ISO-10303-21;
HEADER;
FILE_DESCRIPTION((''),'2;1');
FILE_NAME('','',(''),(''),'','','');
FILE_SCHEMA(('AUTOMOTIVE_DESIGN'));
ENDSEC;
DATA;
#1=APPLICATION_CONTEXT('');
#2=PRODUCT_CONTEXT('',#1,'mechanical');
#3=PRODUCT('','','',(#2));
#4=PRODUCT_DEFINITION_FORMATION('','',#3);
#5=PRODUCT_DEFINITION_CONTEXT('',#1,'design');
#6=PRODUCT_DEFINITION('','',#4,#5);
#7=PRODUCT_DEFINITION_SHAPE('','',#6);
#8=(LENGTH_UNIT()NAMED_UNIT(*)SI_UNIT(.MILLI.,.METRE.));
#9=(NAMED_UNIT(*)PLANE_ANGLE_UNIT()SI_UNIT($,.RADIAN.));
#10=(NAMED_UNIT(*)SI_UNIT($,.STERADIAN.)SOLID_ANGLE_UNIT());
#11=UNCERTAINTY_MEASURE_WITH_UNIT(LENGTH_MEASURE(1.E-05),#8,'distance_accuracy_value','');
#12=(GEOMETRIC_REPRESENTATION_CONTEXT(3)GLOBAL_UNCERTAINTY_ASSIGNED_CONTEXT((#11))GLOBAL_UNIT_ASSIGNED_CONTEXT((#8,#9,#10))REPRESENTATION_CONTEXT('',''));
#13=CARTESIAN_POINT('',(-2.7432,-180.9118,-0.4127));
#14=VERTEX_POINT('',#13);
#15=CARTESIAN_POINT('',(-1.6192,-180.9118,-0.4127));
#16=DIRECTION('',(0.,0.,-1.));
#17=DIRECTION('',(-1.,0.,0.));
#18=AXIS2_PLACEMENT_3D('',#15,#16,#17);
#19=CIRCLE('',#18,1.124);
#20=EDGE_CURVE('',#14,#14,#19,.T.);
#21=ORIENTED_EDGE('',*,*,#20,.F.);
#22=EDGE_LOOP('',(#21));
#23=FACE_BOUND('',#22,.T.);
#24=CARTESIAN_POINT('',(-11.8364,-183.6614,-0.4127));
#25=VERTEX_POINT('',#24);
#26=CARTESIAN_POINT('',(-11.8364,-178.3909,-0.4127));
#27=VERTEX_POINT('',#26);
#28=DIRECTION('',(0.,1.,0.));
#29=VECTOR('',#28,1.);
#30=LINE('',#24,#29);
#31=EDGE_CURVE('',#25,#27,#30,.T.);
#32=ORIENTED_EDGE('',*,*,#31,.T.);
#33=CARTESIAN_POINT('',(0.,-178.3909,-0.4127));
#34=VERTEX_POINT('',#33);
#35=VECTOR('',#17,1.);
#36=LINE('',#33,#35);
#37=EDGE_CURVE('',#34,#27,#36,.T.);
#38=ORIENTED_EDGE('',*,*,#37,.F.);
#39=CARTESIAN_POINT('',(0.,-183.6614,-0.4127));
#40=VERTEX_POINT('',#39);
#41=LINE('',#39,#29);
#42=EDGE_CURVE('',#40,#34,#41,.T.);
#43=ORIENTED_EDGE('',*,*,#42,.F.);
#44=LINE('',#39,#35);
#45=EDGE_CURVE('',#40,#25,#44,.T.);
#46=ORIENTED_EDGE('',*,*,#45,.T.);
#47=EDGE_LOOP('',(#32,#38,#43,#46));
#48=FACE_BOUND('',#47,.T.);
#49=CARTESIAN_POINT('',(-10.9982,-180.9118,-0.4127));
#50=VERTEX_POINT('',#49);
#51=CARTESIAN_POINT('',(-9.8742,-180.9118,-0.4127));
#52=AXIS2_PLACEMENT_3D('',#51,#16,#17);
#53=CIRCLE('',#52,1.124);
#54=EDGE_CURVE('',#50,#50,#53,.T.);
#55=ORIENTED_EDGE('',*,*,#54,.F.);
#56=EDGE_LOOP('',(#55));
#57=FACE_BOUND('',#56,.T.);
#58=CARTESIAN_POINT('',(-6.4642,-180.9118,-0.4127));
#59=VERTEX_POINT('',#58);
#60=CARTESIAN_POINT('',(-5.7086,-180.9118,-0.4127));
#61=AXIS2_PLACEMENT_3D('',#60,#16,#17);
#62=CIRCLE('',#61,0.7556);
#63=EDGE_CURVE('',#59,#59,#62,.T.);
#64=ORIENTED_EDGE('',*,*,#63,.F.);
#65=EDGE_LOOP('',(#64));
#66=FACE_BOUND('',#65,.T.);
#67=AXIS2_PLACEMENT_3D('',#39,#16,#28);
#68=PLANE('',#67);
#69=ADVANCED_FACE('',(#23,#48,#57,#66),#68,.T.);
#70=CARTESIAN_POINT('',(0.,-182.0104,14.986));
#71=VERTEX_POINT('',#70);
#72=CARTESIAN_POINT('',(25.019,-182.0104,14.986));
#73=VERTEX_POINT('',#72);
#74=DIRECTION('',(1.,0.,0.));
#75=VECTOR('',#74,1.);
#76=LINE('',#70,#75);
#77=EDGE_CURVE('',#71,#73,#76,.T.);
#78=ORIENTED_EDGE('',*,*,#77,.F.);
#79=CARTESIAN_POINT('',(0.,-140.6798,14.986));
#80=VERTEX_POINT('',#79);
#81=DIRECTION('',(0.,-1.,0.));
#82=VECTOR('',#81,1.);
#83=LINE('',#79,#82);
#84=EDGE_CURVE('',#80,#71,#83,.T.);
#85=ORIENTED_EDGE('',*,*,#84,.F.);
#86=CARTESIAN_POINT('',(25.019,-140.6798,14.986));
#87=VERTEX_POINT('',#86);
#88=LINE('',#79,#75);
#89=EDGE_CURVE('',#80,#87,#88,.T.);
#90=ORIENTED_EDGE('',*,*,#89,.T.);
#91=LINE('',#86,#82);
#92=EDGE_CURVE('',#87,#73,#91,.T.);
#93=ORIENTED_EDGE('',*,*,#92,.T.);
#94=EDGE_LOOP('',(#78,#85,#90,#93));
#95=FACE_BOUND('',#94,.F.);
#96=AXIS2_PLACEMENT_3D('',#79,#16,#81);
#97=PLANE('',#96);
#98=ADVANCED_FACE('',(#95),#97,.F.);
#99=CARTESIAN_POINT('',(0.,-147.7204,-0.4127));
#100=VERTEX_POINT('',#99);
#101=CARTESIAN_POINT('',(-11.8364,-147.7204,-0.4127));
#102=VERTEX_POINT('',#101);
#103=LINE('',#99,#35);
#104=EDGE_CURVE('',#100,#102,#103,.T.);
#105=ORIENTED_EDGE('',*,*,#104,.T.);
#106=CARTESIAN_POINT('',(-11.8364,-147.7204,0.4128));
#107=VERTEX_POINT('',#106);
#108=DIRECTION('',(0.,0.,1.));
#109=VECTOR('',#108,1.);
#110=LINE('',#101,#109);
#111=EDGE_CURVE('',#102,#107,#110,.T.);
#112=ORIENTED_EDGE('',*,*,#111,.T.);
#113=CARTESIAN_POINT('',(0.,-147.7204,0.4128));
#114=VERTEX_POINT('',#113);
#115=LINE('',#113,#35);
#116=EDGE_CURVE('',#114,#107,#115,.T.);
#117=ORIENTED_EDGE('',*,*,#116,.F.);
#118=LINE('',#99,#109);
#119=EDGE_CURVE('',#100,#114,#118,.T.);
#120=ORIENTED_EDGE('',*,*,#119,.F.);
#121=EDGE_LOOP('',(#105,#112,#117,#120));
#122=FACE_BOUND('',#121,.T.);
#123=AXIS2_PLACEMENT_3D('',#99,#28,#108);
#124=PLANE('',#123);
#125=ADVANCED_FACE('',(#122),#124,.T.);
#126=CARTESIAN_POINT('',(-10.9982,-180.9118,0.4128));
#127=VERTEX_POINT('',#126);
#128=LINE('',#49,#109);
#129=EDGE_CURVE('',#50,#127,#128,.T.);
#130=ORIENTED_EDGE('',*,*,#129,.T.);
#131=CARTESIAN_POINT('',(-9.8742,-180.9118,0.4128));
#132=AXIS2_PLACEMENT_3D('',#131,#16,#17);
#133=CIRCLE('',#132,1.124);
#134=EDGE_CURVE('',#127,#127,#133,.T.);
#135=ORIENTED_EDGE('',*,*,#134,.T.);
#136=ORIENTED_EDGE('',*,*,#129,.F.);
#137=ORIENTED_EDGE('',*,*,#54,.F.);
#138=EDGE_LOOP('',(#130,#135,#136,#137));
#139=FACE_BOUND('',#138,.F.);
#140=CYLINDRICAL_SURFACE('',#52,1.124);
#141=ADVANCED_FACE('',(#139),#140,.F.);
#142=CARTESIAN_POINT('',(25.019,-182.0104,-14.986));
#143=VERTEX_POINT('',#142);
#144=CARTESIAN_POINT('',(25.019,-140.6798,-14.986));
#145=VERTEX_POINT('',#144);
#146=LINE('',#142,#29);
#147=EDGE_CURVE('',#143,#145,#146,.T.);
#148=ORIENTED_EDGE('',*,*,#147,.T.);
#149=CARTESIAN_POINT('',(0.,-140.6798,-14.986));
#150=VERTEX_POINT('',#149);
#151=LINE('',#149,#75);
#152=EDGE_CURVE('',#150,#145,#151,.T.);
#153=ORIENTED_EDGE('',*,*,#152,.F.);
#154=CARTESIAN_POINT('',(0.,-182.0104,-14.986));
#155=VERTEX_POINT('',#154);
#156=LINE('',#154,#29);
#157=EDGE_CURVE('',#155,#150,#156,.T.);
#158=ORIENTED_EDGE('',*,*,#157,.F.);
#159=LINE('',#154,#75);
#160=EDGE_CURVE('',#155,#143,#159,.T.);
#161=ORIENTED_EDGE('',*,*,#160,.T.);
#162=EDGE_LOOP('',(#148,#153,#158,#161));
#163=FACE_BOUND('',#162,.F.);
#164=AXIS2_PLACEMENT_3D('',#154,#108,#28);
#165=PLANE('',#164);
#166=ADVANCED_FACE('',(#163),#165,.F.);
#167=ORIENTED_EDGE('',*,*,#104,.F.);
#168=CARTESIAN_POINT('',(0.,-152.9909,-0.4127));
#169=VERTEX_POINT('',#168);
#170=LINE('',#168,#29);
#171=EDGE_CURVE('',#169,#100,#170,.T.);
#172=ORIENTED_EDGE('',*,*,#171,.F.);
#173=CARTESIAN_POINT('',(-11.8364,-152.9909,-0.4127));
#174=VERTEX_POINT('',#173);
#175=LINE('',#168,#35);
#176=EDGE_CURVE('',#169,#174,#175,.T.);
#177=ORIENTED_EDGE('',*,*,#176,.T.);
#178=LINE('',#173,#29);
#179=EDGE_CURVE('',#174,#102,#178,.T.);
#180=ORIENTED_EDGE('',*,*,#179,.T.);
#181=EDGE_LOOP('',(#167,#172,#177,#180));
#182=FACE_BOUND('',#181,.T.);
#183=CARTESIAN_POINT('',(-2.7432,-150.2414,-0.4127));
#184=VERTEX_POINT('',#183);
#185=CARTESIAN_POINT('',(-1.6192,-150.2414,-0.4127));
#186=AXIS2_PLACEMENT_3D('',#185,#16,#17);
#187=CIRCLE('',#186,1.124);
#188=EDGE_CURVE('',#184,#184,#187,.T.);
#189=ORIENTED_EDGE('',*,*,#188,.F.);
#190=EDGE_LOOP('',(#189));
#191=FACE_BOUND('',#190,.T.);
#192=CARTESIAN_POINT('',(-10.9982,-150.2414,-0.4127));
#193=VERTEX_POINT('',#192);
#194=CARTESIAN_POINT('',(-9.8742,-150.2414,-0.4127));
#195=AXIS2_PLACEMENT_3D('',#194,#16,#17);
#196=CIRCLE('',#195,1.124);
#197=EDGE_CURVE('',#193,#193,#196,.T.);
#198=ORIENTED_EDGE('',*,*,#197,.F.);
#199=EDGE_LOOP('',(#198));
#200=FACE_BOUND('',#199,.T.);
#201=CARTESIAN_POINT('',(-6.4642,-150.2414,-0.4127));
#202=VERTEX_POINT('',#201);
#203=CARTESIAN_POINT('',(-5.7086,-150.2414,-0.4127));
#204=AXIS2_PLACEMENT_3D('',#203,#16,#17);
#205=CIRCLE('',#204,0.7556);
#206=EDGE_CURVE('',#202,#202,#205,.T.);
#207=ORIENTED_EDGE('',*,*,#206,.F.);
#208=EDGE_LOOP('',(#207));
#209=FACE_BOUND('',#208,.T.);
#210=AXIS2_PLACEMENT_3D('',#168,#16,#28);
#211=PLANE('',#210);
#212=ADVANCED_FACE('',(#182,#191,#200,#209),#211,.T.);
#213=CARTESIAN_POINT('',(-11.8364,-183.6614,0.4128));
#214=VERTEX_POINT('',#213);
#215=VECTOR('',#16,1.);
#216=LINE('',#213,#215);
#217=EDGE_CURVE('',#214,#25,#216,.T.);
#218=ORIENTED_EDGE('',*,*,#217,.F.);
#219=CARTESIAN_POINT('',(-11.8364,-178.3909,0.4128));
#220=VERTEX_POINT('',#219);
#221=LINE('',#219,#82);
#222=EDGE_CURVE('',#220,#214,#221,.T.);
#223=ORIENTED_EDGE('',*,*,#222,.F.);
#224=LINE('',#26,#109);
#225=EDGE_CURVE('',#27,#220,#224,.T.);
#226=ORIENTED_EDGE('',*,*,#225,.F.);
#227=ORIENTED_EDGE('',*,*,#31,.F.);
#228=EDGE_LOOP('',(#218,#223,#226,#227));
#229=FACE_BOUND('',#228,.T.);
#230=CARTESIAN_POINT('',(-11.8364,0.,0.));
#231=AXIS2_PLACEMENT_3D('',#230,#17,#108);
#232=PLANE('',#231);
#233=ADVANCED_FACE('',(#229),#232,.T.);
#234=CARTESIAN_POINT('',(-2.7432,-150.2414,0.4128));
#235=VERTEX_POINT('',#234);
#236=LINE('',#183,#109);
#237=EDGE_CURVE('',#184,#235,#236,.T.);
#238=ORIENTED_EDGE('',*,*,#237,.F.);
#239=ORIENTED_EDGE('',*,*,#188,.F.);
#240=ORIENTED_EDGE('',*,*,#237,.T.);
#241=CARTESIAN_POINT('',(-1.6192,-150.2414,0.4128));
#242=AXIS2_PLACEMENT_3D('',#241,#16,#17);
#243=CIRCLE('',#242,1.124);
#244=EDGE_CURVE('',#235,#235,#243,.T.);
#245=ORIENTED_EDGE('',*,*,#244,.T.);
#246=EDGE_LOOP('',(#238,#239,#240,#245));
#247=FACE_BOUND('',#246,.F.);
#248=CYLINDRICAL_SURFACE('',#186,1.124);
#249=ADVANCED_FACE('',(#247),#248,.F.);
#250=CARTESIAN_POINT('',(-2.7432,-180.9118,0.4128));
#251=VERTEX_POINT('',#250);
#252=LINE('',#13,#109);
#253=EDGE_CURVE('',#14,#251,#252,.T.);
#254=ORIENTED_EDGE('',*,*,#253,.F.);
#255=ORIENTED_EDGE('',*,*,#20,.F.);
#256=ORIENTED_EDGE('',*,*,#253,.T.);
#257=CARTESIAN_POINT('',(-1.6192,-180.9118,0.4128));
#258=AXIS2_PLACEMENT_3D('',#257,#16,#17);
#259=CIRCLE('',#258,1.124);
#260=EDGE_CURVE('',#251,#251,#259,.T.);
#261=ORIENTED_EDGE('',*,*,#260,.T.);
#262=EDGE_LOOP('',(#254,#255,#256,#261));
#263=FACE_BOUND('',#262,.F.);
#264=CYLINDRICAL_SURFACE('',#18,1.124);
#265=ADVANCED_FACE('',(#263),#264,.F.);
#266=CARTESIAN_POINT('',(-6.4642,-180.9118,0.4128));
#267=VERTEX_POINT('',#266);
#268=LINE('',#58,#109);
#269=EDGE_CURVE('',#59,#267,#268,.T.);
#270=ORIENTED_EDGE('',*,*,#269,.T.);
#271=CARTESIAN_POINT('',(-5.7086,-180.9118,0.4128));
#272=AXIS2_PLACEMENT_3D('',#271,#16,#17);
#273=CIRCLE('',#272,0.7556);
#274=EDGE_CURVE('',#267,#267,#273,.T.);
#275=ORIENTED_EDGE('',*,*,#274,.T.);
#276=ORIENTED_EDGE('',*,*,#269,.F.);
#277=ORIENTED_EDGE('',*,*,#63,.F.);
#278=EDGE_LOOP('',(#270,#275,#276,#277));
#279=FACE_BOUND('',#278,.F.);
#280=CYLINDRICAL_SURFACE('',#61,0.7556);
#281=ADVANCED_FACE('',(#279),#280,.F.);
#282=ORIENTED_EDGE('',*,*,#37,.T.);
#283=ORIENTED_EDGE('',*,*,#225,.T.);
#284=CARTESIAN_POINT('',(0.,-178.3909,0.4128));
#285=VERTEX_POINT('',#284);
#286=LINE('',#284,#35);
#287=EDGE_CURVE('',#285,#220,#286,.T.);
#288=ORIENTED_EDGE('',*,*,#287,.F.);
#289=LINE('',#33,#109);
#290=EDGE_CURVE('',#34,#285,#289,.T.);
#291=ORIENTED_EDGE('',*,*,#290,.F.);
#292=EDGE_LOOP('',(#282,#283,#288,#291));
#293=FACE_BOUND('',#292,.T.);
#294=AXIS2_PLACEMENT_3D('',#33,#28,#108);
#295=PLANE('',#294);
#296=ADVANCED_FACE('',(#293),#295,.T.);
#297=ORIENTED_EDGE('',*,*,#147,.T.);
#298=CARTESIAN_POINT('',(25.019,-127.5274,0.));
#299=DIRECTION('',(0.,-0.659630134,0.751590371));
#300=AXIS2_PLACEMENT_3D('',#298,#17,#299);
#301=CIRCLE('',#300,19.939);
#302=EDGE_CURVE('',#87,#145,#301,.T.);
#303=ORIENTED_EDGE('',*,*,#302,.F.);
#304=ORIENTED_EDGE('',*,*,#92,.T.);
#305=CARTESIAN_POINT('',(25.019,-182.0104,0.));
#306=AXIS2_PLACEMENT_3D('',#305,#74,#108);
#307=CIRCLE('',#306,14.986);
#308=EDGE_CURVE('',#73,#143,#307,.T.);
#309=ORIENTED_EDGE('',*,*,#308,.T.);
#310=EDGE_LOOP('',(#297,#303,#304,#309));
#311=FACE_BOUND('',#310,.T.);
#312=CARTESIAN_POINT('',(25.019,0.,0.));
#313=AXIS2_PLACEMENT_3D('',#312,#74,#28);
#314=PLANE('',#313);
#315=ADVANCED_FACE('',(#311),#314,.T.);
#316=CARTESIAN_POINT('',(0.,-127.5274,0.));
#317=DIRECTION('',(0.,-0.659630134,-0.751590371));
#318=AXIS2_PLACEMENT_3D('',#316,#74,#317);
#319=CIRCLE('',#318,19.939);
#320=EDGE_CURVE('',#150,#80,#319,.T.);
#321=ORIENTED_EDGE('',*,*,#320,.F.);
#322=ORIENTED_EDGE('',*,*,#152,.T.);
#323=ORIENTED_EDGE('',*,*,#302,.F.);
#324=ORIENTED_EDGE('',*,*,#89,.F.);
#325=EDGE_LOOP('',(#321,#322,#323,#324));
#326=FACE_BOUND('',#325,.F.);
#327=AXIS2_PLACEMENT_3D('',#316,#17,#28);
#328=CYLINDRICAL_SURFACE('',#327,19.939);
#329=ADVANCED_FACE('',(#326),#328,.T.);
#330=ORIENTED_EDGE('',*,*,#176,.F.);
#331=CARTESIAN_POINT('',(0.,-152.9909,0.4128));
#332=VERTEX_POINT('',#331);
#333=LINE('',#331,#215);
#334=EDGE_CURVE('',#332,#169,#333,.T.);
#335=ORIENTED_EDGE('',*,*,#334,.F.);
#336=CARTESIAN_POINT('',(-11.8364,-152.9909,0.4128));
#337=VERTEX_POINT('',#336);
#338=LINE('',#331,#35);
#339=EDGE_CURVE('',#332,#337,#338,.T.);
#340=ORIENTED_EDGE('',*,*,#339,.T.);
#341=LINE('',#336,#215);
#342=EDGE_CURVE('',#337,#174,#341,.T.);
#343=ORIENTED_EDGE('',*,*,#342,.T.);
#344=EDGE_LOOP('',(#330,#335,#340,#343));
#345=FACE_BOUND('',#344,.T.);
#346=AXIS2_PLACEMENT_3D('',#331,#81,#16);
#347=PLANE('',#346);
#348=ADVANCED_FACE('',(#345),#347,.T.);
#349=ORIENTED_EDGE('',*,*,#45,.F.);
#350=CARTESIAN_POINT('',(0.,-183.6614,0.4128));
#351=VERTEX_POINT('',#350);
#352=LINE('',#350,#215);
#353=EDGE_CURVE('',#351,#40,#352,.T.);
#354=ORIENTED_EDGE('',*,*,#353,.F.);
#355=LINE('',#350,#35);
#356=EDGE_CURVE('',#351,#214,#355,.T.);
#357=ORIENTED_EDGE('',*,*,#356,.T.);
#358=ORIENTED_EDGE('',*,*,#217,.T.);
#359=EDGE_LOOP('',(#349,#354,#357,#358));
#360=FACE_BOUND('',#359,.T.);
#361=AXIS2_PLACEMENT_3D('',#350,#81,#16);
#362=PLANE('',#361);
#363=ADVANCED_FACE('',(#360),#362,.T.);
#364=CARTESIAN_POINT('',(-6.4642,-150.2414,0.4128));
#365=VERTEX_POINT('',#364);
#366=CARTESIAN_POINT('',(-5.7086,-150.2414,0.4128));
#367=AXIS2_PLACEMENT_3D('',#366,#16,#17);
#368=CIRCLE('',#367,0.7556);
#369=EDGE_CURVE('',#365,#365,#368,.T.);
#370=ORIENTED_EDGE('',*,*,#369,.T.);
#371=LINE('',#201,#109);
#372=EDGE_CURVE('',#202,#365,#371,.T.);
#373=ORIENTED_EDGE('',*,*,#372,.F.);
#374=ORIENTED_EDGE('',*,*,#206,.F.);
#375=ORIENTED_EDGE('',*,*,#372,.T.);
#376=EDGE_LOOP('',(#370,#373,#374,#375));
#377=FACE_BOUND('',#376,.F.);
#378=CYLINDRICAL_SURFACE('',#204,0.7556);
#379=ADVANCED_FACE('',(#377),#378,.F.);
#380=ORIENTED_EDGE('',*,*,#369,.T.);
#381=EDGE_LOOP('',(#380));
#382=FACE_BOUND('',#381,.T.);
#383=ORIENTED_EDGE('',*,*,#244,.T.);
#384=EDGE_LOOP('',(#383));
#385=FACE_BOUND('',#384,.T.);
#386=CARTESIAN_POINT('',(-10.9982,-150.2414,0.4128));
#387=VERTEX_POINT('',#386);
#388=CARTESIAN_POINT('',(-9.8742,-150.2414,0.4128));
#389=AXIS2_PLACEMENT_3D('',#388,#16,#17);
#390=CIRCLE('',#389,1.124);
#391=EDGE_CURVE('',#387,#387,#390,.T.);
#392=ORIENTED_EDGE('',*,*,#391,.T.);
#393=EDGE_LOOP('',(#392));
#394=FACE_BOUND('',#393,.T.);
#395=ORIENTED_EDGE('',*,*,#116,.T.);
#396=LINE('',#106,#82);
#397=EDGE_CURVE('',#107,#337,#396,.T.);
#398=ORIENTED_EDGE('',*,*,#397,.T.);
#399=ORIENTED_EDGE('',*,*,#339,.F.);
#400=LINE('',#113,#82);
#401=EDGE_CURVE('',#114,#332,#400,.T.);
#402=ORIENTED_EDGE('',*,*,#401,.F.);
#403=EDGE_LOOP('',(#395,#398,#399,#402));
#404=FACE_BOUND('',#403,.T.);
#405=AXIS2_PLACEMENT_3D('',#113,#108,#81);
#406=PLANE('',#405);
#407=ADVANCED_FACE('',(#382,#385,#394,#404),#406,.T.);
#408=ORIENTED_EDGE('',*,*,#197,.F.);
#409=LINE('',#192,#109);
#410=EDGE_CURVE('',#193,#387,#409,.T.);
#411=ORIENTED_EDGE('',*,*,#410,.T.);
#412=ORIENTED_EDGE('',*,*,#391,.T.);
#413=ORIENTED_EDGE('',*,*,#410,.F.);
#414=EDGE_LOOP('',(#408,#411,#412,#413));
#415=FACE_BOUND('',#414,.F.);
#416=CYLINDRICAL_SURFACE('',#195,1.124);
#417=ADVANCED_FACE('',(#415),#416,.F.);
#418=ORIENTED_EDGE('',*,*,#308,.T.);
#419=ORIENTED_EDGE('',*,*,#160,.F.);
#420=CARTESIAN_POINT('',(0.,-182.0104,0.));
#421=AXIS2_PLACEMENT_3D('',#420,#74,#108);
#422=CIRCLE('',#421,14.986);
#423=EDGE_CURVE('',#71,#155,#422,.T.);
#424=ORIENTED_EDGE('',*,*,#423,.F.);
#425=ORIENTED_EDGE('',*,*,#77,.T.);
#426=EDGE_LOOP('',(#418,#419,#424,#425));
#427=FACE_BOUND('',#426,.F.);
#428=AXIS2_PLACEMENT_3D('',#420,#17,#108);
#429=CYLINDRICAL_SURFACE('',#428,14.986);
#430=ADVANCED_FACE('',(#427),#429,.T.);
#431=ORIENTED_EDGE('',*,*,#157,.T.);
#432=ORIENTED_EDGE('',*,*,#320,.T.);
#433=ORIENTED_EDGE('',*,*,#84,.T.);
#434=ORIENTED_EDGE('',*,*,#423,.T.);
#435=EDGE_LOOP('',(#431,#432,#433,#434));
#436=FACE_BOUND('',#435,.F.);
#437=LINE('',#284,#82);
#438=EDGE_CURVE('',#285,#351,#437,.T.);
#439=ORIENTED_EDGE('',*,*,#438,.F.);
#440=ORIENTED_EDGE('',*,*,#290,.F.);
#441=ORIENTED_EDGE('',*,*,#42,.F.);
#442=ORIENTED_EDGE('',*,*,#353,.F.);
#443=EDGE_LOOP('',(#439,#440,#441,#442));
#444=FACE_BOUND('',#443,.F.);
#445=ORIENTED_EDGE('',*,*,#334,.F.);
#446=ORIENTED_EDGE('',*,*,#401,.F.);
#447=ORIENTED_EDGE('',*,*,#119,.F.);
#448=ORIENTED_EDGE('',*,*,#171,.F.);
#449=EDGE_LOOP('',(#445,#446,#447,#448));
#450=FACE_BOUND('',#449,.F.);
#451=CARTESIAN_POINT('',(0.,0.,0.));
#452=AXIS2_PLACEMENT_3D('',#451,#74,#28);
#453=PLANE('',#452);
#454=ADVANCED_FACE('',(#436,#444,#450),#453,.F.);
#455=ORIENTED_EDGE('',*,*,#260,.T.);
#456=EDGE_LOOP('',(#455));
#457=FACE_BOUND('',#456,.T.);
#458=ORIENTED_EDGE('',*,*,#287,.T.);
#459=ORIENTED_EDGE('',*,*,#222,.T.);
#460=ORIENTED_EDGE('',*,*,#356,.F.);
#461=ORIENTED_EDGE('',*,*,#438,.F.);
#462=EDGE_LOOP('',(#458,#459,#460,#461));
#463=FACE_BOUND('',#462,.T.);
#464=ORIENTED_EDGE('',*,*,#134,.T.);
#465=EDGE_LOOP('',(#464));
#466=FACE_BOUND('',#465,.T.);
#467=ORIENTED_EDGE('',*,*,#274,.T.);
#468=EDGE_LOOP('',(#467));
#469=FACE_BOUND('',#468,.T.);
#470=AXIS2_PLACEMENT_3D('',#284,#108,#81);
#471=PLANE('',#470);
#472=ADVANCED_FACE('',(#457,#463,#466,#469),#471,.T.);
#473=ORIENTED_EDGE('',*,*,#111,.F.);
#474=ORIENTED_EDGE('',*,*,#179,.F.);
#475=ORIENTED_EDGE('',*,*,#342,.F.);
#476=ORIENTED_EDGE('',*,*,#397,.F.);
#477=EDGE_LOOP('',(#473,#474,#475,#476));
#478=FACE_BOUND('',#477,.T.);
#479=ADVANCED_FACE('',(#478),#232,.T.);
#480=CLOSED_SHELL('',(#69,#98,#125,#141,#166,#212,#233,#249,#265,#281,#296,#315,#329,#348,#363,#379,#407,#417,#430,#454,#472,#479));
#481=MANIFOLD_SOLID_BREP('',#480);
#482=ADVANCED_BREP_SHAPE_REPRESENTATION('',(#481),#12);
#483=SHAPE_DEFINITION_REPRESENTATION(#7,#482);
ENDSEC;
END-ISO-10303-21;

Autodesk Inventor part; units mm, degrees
ref_plane "YZ Plane" through (0, 0, 0) normal (1, 0, 0) x (0, 1, 0)
ref_plane "XZ Plane" through (0, 0, 0) normal (0, 1, 0) x (-1, 0, 0)
ref_plane "XY Plane" through (0, 0, 0) normal (0, 0, 1) x (1, 0, 0)
sketch "Sketch1" plane through (0, 0, 0) normal (1, 0, 0) x (0, 1, 0)
  circle A0 centre (-127.5274, 0) radius 19.939
  line L0 (-73.0444, 0) -> (-182.0104, 0) construction
  line L1 (-140.6798, 14.986) -> (-182.0104, 14.986)
  line L2 (-182.0104, -14.986) -> (-140.6798, -14.986)
  arc A1 (-182.0104, 14.986) -> (-182.0104, -14.986) centre (-182.0104, 0) ccw
  point P0 (0, 0)
  dimension "d0" = 39.878
  dimension "d1" = 29.972
  dimension "d2" = 89.408
extrude "Extrusion1" add sketch "Sketch1" along normal blind 25.019
sketch "Sketch2" plane through (0, 0, 0) normal (-1, 0, 0) x (0, 0, 1)
  line L0 (0.4128, -183.6614) -> (-0.4127, -183.6614)
  line L1 (-0.4127, -183.6614) -> (-0.4127, -178.3909)
  line L2 (-0.4127, -178.3909) -> (0.4128, -178.3909)
  line L3 (0.4128, -178.3909) -> (0.4128, -183.6614)
  line L4 (0.4128, -183.6614) -> (-0.4127, -178.3909) construction
  line L5 (-0.4127, -183.6614) -> (0.4128, -178.3909) construction
  line L6 (0.4128, -152.9909) -> (-0.4127, -152.9909)
  line L7 (-0.4127, -152.9909) -> (-0.4127, -147.7204)
  line L8 (-0.4127, -147.7204) -> (0.4128, -147.7204)
  line L9 (0.4128, -147.7204) -> (0.4128, -152.9909)
  line L10 (0.4128, -152.9909) -> (-0.4127, -147.7204) construction
  line L11 (-0.4127, -152.9909) -> (0.4128, -147.7204) construction
  arc A0 (14.986, -140.6798) -> (-14.986, -140.6798) centre (0, -127.5274) ccw projected
  line L12 (-14.986, -182.0104) -> (-14.986, -140.6798) projected
  arc A1 (-14.986, -182.0104) -> (14.986, -182.0104) centre (0, -182.0104) ccw projected
  line L13 (14.986, -140.6798) -> (14.986, -182.0104) projected
  point P0 (0, 0)
  point P1 (0, -181.0262)
  point P2 (0, -150.3557)
  point P3 (0, -150.3557)
  point P4 (0, -181.0262)
  point P5 (0, -150.3557)
  dimension "d5" = 5.2705
  dimension "d6" = 0.8255
  dimension "d7" = 40.132
  dimension "d8" = 25.4
extrude "Extrusion2" add sketch "Sketch2" along normal blind 11.8364 contours L0 L1 L2 L3 | L6 L7 L8 L9
sketch "Sketch3" plane through (0, -183.6614, -0.4127) normal (0, 0, -1) x (-1, 0, 0)
  circle A0 centre (9.8742, 2.7496) radius 1.124
  circle A1 centre (1.6192, 2.7496) radius 1.124
  circle A2 centre (5.7086, 2.7496) radius 0.7556
  circle A3 centre (1.6192, 33.42) radius 1.124
  circle A4 centre (5.7086, 33.42) radius 0.7556
  circle A5 centre (9.8742, 33.42) radius 1.124
  line L0 (0, 0) -> (0, 5.2705) projected
  line L1 (0, 0) -> (11.8364, 0) projected
  line L2 (11.8364, 5.2705) -> (11.8364, 0) projected
  line L3 (0, 5.2705) -> (11.8364, 5.2705) projected
  line L4 (0, 30.6705) -> (0, 35.941) projected
  line L5 (0, 30.6705) -> (11.8364, 30.6705) projected
  line L6 (11.8364, 35.941) -> (11.8364, 30.6705) projected
  line L7 (0, 35.941) -> (11.8364, 35.941) projected
  point P0 (0, 183.6614)
  dimension "d11" = 2.2479
  dimension "d12" = 1.6256
  dimension "d13" = 1.6256
  dimension "d14" = 0.8382
  dimension "d15" = 1.5113
  dimension "d16" = 2.286
  dimension "d17" = 2.2479
  dimension "d18" = 2.2098
extrude "Extrusion3" cut sketch "Sketch3" against normal through all contours A0 | A1 | A2 | A3 | A4 | A5
equation "\"d13\" = d12"
equation "\"d17\" = d11"
properties part number "OtherCamera"
